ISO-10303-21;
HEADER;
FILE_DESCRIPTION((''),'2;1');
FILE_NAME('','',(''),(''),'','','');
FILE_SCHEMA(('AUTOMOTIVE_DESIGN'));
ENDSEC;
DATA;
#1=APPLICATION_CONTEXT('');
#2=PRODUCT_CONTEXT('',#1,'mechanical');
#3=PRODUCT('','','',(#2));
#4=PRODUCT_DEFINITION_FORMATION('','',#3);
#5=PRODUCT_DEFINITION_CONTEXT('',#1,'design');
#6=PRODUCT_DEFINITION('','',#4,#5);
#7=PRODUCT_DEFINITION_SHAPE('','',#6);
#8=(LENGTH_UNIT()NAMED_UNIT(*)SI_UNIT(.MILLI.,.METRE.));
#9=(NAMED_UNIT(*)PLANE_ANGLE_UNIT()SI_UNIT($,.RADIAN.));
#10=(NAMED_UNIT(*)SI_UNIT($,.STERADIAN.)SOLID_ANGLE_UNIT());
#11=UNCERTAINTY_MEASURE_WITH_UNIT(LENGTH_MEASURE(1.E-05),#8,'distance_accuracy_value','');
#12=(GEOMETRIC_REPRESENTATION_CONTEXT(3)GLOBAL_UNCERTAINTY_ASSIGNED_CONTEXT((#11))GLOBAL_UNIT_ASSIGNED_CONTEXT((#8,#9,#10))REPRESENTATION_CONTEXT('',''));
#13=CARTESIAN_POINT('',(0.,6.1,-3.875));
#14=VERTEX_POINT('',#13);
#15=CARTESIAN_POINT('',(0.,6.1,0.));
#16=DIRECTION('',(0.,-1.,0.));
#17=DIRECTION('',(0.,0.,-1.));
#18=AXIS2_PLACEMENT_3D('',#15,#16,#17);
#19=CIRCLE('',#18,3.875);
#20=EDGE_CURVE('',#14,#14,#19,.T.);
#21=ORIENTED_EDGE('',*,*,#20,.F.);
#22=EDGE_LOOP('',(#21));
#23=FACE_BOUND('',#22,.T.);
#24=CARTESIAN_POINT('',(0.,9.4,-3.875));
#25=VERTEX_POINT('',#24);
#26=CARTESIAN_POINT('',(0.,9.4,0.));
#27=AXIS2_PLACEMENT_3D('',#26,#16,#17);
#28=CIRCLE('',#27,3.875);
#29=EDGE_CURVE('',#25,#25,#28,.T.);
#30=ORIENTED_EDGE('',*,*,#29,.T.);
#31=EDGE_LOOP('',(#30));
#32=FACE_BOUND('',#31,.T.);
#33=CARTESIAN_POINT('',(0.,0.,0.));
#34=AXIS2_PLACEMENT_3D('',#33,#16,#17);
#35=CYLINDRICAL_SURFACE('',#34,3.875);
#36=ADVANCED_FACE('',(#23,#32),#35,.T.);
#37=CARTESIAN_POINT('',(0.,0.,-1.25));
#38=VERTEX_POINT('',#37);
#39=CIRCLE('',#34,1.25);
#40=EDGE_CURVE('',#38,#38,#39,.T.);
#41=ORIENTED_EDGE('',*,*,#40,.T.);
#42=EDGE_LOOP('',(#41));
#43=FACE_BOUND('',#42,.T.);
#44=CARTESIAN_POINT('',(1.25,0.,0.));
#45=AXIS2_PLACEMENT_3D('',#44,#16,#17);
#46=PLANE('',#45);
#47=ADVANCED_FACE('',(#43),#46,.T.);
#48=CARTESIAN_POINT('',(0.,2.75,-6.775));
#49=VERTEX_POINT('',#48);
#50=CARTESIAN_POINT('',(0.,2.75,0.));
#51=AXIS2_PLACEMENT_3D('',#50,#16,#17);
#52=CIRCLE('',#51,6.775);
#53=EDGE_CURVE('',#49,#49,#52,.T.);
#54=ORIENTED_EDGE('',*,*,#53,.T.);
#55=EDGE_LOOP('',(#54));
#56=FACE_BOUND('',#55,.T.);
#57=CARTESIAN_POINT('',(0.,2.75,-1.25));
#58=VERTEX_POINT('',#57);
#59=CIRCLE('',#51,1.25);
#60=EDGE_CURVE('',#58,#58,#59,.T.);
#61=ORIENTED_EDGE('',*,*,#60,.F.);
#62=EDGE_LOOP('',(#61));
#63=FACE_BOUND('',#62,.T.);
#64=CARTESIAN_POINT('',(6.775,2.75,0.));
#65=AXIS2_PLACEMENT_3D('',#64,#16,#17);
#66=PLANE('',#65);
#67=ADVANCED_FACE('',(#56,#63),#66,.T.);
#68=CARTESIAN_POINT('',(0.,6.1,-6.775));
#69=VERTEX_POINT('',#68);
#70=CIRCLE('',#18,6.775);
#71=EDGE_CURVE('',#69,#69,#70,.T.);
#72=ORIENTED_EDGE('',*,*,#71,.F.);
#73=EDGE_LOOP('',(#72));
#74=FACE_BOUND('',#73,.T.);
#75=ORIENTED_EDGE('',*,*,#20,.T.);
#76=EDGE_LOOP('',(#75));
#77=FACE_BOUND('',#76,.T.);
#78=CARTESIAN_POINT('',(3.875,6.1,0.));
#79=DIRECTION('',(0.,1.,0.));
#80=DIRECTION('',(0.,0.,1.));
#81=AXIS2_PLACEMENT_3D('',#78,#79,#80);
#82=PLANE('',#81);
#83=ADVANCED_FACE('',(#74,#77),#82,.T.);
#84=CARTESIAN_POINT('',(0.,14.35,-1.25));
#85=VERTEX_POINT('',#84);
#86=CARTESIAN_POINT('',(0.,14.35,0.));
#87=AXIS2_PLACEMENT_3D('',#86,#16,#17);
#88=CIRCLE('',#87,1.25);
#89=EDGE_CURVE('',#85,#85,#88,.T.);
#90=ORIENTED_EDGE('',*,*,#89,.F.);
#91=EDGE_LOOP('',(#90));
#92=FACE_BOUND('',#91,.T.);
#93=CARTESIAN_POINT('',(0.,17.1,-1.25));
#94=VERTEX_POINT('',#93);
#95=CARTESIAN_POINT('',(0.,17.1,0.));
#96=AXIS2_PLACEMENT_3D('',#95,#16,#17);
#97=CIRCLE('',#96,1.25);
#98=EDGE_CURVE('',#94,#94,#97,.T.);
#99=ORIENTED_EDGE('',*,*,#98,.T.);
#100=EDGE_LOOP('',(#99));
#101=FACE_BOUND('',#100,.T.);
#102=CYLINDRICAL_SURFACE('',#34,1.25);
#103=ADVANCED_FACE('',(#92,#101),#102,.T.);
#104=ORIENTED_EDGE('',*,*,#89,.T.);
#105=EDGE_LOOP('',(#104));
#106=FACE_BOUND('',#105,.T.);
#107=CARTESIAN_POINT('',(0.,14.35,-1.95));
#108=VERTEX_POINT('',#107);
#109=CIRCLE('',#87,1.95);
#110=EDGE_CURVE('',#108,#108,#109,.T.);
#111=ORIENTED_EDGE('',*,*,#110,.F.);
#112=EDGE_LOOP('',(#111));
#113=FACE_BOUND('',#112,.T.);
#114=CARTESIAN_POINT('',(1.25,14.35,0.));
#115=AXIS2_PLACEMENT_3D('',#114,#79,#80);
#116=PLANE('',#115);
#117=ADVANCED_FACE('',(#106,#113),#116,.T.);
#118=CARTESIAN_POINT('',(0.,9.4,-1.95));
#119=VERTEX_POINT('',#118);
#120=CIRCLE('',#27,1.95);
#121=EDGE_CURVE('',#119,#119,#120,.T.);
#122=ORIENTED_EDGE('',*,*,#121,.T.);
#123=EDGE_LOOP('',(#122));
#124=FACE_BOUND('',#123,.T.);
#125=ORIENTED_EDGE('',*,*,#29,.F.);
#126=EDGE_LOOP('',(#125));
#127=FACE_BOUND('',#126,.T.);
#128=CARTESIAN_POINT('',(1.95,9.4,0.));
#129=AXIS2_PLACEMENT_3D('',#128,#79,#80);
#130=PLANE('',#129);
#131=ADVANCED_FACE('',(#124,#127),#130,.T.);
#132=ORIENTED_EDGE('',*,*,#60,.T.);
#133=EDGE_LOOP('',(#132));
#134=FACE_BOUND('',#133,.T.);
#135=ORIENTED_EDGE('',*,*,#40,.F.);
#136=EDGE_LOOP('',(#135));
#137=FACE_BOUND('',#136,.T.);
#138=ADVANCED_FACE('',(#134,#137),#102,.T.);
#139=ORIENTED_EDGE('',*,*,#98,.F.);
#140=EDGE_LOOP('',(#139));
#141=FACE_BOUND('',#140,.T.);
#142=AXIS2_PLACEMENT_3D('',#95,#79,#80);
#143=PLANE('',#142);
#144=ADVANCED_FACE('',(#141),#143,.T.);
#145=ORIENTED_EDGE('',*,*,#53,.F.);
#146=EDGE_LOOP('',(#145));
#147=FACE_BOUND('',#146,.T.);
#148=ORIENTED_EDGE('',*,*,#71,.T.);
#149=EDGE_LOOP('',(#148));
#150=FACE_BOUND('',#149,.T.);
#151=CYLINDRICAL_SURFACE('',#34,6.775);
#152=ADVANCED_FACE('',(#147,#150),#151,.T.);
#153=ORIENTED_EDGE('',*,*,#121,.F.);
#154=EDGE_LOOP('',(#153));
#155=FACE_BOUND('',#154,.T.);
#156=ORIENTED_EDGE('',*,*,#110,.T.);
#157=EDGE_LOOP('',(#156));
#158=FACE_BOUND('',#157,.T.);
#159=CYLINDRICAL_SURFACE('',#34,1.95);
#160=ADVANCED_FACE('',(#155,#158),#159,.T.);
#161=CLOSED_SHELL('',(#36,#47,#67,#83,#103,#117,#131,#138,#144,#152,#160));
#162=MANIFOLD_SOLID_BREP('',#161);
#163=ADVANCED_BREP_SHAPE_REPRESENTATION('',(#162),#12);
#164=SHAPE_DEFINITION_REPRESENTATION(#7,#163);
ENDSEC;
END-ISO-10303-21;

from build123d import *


with BuildPart() as part:
    # ｽｹｯﾁ1 → 回転1 (revolve)
    with BuildSketch(Plane.XY, mode=Mode.PRIVATE) as revolve_1_sk:
        Polygon((0, 0), (0, 17.1), (1.25, 17.1), (1.25, 14.35), (1.95, 14.35), (1.95, 9.4), (3.875, 9.4), (3.875, 6.1), (6.775, 6.1), (6.775, 2.75), (1.25, 2.75), (1.25, 0), align=None)
    revolve(revolve_1_sk.sketch.rotate(Axis((0, 0, 0), (0, 1, 0)), 90), axis=Axis((0, 0, 0), (0, 1, 0)))


solid = part.part
